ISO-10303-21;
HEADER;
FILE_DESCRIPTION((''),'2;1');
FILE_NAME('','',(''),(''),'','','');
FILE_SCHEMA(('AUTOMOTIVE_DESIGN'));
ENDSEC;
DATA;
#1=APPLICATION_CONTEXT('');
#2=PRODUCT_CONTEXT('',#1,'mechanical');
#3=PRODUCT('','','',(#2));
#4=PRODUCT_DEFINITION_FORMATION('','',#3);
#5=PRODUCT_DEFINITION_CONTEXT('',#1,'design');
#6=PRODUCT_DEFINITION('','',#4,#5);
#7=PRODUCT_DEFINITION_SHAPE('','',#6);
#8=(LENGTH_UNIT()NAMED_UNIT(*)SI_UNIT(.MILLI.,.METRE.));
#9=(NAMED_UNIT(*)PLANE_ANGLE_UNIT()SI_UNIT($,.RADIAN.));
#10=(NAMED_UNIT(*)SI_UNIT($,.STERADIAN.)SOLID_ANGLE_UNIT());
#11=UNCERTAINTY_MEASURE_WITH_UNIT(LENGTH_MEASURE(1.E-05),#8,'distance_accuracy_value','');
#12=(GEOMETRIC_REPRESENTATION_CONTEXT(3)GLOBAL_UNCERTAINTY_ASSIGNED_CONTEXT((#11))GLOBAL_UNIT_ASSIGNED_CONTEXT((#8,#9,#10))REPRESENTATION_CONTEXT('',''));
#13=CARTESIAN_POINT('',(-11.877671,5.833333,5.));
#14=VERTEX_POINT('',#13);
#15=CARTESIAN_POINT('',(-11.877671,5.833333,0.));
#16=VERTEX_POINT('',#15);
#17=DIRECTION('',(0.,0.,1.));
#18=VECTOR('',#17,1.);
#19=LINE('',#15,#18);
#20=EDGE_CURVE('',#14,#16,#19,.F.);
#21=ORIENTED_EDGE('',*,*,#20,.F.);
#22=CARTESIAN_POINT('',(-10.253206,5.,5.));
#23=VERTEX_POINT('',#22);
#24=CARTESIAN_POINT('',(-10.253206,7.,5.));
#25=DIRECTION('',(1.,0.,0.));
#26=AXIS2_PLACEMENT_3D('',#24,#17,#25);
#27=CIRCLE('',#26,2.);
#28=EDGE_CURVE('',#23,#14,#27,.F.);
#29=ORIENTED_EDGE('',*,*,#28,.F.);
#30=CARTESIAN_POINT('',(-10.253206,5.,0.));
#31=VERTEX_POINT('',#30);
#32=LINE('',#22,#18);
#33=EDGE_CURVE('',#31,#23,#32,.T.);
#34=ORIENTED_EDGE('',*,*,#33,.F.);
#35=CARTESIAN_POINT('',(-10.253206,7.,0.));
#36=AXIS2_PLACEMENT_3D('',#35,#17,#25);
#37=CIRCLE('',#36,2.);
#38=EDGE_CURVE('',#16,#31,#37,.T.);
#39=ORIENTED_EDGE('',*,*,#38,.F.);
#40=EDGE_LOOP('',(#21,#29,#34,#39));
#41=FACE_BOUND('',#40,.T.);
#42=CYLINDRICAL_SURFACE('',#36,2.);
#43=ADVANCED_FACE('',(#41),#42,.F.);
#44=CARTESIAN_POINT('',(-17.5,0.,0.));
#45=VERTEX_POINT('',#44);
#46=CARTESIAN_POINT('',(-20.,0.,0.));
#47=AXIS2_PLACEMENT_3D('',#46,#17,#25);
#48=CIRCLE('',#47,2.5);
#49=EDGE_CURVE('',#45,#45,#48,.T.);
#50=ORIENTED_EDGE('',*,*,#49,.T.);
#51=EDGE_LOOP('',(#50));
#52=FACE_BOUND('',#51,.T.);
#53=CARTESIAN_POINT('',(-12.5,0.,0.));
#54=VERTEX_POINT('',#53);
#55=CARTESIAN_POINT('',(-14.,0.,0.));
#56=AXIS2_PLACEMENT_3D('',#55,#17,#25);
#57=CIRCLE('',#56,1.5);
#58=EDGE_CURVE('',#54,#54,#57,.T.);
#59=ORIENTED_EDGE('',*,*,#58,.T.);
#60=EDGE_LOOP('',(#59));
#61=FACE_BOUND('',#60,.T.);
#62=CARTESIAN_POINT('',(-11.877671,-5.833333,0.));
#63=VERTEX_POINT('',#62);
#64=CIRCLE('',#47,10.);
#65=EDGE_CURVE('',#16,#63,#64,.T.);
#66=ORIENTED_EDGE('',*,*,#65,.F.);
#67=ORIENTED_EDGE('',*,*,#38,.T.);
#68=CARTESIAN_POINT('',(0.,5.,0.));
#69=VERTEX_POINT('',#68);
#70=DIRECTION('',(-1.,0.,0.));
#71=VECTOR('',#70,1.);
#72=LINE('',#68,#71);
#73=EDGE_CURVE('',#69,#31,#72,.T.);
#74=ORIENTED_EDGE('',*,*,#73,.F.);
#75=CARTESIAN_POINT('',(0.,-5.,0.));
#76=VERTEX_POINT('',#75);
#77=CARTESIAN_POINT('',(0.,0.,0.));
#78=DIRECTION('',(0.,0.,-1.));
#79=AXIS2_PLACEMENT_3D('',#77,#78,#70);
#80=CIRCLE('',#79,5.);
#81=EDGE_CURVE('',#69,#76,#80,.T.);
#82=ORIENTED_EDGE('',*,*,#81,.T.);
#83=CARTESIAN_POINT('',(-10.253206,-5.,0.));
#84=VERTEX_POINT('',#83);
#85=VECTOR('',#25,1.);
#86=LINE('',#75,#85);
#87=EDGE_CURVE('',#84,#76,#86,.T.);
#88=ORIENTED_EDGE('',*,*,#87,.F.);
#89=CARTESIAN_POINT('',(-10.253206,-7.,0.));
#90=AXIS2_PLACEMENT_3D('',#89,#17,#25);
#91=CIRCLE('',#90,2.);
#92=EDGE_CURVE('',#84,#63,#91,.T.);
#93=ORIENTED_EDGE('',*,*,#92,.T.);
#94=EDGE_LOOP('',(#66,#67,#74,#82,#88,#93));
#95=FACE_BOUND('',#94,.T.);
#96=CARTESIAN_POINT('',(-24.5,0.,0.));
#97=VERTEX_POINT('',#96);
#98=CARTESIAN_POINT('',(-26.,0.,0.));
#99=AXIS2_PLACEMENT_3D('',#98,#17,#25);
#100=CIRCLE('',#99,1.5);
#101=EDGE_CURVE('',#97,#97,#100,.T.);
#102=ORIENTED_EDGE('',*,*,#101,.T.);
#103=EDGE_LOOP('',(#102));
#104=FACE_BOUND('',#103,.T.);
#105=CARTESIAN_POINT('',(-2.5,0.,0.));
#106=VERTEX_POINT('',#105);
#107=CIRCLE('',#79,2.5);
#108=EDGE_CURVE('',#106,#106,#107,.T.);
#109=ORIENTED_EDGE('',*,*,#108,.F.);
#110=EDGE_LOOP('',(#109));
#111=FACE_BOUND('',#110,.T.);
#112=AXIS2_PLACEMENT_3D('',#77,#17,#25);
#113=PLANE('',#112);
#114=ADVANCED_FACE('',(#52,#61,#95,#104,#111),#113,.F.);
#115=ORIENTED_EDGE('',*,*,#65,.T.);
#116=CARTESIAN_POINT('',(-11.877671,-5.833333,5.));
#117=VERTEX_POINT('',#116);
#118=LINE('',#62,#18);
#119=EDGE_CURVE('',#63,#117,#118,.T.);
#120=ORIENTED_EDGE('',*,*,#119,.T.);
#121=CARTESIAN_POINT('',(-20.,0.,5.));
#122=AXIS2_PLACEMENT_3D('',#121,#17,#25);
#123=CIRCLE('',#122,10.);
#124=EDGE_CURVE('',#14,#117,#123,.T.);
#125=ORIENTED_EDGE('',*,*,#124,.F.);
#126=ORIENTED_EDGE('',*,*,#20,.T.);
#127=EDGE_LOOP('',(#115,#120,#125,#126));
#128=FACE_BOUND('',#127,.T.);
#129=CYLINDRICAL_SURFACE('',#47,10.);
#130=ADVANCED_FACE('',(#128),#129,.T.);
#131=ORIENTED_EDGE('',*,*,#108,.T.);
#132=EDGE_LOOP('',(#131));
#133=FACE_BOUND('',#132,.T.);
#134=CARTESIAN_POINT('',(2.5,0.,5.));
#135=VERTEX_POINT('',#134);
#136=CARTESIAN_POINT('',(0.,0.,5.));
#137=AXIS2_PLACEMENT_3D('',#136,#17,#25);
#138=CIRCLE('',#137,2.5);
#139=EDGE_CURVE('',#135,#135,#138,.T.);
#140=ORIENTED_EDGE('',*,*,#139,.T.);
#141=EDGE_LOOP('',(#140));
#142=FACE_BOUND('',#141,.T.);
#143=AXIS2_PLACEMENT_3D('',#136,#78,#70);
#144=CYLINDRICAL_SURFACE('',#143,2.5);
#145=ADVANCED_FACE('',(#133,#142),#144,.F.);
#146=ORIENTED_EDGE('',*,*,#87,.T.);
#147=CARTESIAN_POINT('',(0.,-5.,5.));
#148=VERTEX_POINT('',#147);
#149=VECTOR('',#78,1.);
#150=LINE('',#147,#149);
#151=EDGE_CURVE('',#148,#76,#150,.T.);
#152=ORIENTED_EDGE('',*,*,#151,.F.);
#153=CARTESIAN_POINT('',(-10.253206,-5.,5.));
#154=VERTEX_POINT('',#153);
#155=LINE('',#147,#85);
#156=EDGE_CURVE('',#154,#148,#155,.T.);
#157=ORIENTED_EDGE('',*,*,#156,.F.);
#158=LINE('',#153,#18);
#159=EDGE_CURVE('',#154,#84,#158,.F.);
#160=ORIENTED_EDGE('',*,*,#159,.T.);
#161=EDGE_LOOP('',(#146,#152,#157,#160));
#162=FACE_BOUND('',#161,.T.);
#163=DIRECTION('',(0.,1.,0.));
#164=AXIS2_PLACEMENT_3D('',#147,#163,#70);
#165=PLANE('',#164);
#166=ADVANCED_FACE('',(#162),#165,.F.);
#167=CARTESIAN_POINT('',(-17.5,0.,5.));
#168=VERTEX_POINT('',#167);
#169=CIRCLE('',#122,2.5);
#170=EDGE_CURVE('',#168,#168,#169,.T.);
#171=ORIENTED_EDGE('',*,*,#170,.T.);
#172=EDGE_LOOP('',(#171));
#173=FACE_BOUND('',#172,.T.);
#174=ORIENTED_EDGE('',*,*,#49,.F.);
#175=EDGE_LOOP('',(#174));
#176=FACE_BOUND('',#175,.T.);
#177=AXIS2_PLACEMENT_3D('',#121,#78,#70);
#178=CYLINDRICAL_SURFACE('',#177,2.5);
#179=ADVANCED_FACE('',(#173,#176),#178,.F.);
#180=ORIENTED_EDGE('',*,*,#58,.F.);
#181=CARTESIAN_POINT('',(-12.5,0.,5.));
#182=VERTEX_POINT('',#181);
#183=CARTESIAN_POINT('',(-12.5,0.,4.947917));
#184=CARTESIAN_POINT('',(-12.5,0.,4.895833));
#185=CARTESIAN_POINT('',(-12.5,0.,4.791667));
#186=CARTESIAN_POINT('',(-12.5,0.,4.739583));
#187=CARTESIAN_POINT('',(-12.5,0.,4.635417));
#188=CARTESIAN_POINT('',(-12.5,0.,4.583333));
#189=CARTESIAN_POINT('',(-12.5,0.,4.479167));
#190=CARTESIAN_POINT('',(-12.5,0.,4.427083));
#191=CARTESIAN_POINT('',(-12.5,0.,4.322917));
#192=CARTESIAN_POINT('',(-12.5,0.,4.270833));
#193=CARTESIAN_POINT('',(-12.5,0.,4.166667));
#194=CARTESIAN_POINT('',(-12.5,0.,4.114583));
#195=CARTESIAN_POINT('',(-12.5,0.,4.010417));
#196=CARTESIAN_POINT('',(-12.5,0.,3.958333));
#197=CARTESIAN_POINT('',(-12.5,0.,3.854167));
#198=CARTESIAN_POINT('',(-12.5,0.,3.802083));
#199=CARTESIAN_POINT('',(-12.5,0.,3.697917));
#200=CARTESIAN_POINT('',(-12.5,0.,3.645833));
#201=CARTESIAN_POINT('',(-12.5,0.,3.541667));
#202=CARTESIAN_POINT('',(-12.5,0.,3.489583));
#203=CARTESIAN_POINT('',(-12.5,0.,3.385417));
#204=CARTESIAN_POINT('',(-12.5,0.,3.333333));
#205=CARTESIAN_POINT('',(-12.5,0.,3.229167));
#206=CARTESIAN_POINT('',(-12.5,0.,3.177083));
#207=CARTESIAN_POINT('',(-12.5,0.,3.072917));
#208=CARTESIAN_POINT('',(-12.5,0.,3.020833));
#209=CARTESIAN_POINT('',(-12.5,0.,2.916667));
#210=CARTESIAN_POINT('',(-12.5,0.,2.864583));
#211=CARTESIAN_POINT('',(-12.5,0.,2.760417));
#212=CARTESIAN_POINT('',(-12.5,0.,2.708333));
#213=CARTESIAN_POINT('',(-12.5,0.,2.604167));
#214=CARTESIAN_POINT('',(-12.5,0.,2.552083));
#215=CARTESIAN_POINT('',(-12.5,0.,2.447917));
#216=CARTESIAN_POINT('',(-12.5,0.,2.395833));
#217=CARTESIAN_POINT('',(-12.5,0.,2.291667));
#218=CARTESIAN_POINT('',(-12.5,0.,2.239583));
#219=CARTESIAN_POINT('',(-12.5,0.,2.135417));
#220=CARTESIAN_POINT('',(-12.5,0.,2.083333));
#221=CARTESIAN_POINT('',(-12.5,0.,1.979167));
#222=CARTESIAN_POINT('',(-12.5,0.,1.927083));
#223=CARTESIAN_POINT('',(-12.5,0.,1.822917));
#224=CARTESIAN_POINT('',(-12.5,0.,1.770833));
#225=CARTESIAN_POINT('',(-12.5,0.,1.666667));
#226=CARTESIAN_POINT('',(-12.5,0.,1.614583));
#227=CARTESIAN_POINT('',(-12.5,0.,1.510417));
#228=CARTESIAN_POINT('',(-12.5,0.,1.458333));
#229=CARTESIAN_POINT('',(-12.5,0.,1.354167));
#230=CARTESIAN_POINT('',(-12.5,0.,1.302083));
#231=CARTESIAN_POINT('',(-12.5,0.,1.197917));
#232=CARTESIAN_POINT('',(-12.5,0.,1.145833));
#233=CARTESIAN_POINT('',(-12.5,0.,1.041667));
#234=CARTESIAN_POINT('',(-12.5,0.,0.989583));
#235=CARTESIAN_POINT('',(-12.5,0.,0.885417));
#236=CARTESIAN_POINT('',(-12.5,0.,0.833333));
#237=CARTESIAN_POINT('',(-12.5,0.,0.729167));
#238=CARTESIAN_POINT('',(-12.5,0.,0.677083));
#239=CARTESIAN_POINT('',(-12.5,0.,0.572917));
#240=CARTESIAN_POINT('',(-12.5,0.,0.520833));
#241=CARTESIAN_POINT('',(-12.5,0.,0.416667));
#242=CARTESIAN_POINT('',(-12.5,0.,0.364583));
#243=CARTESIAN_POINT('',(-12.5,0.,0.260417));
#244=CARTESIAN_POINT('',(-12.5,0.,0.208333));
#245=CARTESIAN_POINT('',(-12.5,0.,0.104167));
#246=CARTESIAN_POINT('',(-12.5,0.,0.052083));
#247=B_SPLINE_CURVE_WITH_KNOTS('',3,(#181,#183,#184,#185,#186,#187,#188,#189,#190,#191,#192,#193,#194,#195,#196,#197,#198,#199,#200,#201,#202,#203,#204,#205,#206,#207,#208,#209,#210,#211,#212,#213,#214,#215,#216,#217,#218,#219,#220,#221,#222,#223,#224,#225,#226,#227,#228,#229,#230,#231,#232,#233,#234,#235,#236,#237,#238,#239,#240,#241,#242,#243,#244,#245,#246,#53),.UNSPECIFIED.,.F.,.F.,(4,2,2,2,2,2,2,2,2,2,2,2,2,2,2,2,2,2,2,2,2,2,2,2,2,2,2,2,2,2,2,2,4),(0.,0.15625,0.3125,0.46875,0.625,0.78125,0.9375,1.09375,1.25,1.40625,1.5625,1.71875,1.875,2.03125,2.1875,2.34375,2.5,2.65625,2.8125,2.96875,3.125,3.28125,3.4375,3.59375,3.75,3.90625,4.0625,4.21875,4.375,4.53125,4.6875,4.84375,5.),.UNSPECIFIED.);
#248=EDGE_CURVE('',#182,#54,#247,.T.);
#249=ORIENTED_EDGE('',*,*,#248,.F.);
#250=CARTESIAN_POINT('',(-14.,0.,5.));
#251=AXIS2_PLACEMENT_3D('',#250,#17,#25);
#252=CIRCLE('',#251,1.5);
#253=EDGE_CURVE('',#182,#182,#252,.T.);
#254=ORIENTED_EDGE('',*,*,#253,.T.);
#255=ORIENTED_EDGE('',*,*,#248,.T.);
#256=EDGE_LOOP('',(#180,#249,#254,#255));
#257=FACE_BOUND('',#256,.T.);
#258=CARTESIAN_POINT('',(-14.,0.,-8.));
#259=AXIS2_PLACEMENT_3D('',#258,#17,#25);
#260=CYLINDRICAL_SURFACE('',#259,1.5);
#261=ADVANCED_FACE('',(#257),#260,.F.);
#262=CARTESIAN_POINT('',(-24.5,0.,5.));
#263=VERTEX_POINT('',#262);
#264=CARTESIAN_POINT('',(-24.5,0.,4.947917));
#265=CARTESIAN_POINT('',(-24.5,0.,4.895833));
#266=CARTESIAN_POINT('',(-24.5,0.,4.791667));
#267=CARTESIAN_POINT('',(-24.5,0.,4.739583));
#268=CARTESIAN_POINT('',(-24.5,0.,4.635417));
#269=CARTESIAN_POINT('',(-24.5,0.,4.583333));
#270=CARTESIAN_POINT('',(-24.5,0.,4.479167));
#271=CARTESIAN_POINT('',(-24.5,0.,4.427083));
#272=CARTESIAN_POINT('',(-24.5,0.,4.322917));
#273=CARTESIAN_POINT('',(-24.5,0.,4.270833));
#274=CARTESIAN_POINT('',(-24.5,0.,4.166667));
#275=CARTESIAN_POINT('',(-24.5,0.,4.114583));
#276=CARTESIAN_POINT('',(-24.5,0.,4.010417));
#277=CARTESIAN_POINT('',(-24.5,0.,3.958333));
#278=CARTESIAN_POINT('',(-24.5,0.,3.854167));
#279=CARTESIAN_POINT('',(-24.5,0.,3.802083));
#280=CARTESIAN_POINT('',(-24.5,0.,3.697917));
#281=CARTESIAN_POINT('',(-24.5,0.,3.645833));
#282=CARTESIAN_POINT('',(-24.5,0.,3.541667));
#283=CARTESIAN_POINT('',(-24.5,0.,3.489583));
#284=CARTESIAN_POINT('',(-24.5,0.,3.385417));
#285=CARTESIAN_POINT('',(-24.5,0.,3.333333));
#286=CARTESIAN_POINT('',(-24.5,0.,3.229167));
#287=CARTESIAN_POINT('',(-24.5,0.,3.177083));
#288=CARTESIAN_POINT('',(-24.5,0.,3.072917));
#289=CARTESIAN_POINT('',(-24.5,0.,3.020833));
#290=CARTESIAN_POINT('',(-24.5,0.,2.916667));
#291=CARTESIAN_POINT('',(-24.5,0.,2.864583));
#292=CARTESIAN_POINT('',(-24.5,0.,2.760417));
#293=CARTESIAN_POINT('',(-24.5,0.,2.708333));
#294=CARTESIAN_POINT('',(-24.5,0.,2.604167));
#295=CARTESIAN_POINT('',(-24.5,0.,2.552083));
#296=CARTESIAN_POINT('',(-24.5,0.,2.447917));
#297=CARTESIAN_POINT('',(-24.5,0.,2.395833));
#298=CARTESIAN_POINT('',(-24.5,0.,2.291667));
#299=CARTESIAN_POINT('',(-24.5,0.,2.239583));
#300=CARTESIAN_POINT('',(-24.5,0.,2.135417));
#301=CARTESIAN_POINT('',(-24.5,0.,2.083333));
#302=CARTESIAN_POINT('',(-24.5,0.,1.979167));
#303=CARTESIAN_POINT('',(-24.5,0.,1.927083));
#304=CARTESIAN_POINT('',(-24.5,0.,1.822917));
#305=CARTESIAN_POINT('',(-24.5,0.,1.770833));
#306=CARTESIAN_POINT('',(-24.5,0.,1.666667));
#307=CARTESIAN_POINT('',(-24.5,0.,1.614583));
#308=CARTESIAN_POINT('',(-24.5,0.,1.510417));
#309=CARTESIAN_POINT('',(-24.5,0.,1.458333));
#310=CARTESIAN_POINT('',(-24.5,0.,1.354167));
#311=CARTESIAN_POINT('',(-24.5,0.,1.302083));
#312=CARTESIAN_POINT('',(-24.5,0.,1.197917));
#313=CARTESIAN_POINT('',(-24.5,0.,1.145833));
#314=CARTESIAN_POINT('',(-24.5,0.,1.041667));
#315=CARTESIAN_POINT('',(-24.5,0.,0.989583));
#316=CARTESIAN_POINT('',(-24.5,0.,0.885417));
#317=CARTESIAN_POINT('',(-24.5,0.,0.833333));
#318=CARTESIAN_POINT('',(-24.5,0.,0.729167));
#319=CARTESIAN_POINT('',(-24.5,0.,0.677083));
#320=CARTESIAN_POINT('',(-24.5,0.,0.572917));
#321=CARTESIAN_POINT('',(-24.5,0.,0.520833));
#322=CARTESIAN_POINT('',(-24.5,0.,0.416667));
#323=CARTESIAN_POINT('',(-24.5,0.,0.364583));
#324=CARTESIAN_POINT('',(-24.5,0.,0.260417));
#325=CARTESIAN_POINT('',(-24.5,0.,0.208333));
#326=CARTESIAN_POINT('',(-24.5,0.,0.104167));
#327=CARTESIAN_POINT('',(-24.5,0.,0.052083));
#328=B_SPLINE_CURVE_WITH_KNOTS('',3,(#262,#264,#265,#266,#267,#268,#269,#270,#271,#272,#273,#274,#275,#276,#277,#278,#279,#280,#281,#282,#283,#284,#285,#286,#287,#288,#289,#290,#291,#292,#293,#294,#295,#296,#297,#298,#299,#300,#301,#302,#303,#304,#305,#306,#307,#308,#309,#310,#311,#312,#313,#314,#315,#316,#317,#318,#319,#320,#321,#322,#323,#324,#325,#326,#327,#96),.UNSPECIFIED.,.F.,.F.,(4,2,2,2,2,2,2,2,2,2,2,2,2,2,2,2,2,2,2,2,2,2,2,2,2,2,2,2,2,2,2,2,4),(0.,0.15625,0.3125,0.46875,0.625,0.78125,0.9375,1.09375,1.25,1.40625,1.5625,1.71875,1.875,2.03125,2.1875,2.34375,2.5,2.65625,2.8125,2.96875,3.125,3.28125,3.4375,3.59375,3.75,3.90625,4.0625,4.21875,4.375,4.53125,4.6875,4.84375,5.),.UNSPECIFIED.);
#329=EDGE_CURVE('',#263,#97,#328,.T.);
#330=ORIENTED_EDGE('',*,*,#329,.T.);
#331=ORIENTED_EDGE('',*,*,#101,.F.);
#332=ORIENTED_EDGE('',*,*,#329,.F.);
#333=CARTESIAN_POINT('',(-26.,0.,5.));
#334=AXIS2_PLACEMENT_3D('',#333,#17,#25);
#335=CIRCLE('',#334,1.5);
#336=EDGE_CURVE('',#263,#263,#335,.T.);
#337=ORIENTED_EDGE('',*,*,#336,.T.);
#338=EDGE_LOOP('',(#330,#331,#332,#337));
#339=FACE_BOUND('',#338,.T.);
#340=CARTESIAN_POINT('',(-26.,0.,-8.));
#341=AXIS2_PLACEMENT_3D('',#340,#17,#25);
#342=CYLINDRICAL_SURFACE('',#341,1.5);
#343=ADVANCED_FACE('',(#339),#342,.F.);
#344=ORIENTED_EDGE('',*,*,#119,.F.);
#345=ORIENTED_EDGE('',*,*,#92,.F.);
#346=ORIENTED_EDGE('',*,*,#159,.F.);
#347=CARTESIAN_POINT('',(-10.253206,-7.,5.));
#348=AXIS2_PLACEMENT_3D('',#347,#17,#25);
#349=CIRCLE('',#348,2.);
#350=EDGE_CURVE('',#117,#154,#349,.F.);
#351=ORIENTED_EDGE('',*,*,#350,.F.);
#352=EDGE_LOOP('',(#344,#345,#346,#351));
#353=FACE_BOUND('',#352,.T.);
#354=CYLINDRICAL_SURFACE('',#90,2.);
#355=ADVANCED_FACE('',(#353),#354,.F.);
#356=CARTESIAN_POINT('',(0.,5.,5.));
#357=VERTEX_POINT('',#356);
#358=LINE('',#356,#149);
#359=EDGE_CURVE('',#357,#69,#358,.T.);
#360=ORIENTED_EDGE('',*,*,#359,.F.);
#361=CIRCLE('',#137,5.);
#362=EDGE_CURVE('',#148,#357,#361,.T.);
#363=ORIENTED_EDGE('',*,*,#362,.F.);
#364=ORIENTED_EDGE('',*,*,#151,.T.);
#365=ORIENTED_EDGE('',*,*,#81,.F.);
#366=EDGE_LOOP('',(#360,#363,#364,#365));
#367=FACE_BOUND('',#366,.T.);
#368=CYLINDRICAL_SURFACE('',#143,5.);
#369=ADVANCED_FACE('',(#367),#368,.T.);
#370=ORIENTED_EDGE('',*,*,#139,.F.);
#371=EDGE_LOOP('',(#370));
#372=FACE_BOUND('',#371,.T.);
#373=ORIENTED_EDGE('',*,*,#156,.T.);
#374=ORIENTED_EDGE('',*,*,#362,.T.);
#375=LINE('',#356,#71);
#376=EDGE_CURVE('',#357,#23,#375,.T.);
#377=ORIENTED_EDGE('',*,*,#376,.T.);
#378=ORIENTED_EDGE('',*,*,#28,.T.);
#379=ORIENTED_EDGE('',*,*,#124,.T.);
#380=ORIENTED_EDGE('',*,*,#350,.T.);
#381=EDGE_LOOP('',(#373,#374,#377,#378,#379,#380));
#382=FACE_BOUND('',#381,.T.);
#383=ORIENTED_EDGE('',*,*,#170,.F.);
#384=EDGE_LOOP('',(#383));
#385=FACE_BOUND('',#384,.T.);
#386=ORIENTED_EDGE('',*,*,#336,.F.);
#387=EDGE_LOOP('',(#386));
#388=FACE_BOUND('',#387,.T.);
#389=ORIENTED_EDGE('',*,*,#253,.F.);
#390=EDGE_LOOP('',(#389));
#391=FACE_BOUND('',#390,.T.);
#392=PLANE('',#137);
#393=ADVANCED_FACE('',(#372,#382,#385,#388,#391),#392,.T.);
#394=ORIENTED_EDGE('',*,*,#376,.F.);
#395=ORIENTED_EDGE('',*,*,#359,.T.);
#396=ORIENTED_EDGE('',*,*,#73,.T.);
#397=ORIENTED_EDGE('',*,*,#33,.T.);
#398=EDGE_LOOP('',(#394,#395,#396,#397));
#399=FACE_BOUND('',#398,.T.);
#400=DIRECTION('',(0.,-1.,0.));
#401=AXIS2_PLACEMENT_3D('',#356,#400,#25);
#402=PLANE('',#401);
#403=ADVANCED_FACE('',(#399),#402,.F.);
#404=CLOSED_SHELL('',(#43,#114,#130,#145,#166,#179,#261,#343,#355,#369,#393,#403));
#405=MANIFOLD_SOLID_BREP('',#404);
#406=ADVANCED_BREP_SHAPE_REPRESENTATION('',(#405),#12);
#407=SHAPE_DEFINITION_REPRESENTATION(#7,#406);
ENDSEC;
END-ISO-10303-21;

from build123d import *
from build123d.topology import SkipClean

# Parameters (mm, degrees)
SKETCH_1_R               = 2.4999999999999982
SKETCH_1_R_2             = 2.4999999999999947
SKETCH_1_R_3             = 2.5
EXTRUDE_1_DEPTH          = 5
EXTRUDE_START            = 12.8
SKETCH_2_R               = 5.000000000000004
SKETCH_2_R_2             = 2.4999999999999947
SKETCH_2_R_3             = 5
SKETCH_2_R_4             = 2.5
EXTRUDE_2_DEPTH          = 12.8
SKETCH_3_R               = 1.5000000000000007
CUT_EXTRUDE_1_DEPTH      = 13
EXTRUDE_START_2          = -5
EXTRUDE_3_DEPTH          = 5
FILLET_1_R               = 2
CUT_EXTRUDE_2_DEPTH      = 16
CUT_EXTRUDE_2_DEPTH_BACK = 10
CUT_EXTRUDE_START        = 14.000000000000002
SKETCH_7_R               = 5
CUT_EXTRUDE_3_DEPTH      = 14.000000000000002


with BuildPart() as part:
    # 草图1 → 凸台-拉伸1 (new body)
    with BuildSketch(Plane.XY):
        with BuildLine():
            Line((6.1e-16, -5), (-40, -5.000000000000006))
            ThreePointArc((-40, -5.000000000000006), (-45, -4.29e-15), (-40, 4.999999999999996))
            Line((-40, 4.999999999999996), (-6.1e-16, 5))
            ThreePointArc((-6.1e-16, 5), (5, 0), (6.1e-16, -5))
        make_face()
        with Locations((-20, -2.45e-15)):
            Circle(SKETCH_1_R, mode=Mode.SUBTRACT)
        with Locations((-40, -4.9e-15)):
            Circle(SKETCH_1_R_2, mode=Mode.SUBTRACT)
        Circle(SKETCH_1_R_3, mode=Mode.SUBTRACT)
    extrude(amount=EXTRUDE_1_DEPTH)

    # 草图2 → 凸台-拉伸2 (add)
    # profile 1 of 2: a face of its own
    with SkipClean():  # the faces are left unmerged after this step: merging them gives an invalid solid
        with BuildSketch(Plane(origin=(0, 0, 0), x_dir=(-1, 0, 0), z_dir=(0, 0, -1)).offset(EXTRUDE_START)):
            with Locations((40, -4.9e-15)):
                Circle(SKETCH_2_R)
            with Locations((40, -4.9e-15)):
                Circle(SKETCH_2_R_2, mode=Mode.SUBTRACT)
        # profile 2 of 2: a face of its own
        with BuildSketch(Plane(origin=(0, 0, 0), x_dir=(-1, 0, 0), z_dir=(0, 0, -1)).offset(EXTRUDE_START)):
            Circle(SKETCH_2_R_3)
            Circle(SKETCH_2_R_4, mode=Mode.SUBTRACT)
        extrude(amount=-EXTRUDE_2_DEPTH)

    # 草图3 → 切除-拉伸1 (cut)
    with SkipClean():  # the faces are left unmerged after this step: merging them gives an invalid solid
        with BuildSketch(Plane.XY.offset(5)):
            with Locations((-26.000000000000004, -2.45e-15)):
                Circle(SKETCH_3_R)
            with Locations((-13.999999999999998, -2.4e-16)):
                Circle(SKETCH_3_R)
        extrude(amount=-CUT_EXTRUDE_1_DEPTH, mode=Mode.SUBTRACT)

    # 草图4 → 凸台-拉伸3 (add)
    with SkipClean():  # the faces are left unmerged after this step: merging them gives an invalid solid
        with BuildSketch(Plane.XY.offset(5).offset(EXTRUDE_START_2)):
            with BuildLine():
                Line((-29.484888992731253, 3.168103659220378), (-10.515111007268752, 3.168103659220378))
                ThreePointArc((-10.515111007268752, 3.168103659220378), (-20, 9.999999999999996), (-29.484888992731253, 3.168103659220378))
            make_face()
            with BuildLine():
                Line((-29.548830353481478, -2.969821354969149), (-10.451169646518524, -2.969821354969149))
                ThreePointArc((-10.451169646518524, -2.969821354969149), (-20, -10), (-29.548830353481478, -2.969821354969149))
            make_face()
        extrude(amount=EXTRUDE_3_DEPTH)

    # 圆角1
    fillet_1_edges = [part.edges().sort_by_distance(p)[0] for p in [
        (-11.339745962155616, -5.000000000000002, 2.5),
        (-28.660254037844382, -5.000000000000005, 2.5),
        (-28.660254037844386, 4.999999999999997, 2.5),
        (-11.339745962155614, 4.999999999999999, 2.5),
    ]]
    fillet(fillet_1_edges, radius=FILLET_1_R)

    # 草图6 → 切除-拉伸2 (cut, two sides: drawn at the far end of the back side and taken through both)
    with SkipClean():  # the faces are left unmerged after this step: merging them gives an invalid solid
        with BuildSketch(Plane(origin=(0, 0, 0), x_dir=(-1, 0, 0), z_dir=(0, 0, -1)).offset(-CUT_EXTRUDE_2_DEPTH_BACK)):
            with BuildLine():
                Line((28.122328620674136, 5.83333333333333), (47.018648457175516, 5.83333333333333))
                Line((47.018648457175516, 5.83333333333333), (47.018648457175516, -5.833333333333338))
                Line((47.018648457175516, -5.833333333333338), (28.122328620674132, -5.833333333333338))
                ThreePointArc((28.122328620674132, -5.833333333333338), (30, -4.67e-15), (28.122328620674136, 5.83333333333333))
            make_face()
        extrude(amount=CUT_EXTRUDE_2_DEPTH + CUT_EXTRUDE_2_DEPTH_BACK, mode=Mode.SUBTRACT)

    # 草图7 → 切除-拉伸3 (cut)
    with SkipClean():  # the faces are left unmerged after this step: merging them gives an invalid solid
        with BuildSketch(Plane(origin=(0, 0, 0), x_dir=(-1, 0, 0), z_dir=(0, 0, -1)).offset(CUT_EXTRUDE_START)):
            Circle(SKETCH_7_R)
        extrude(amount=-CUT_EXTRUDE_3_DEPTH, mode=Mode.SUBTRACT)


solid = part.part
